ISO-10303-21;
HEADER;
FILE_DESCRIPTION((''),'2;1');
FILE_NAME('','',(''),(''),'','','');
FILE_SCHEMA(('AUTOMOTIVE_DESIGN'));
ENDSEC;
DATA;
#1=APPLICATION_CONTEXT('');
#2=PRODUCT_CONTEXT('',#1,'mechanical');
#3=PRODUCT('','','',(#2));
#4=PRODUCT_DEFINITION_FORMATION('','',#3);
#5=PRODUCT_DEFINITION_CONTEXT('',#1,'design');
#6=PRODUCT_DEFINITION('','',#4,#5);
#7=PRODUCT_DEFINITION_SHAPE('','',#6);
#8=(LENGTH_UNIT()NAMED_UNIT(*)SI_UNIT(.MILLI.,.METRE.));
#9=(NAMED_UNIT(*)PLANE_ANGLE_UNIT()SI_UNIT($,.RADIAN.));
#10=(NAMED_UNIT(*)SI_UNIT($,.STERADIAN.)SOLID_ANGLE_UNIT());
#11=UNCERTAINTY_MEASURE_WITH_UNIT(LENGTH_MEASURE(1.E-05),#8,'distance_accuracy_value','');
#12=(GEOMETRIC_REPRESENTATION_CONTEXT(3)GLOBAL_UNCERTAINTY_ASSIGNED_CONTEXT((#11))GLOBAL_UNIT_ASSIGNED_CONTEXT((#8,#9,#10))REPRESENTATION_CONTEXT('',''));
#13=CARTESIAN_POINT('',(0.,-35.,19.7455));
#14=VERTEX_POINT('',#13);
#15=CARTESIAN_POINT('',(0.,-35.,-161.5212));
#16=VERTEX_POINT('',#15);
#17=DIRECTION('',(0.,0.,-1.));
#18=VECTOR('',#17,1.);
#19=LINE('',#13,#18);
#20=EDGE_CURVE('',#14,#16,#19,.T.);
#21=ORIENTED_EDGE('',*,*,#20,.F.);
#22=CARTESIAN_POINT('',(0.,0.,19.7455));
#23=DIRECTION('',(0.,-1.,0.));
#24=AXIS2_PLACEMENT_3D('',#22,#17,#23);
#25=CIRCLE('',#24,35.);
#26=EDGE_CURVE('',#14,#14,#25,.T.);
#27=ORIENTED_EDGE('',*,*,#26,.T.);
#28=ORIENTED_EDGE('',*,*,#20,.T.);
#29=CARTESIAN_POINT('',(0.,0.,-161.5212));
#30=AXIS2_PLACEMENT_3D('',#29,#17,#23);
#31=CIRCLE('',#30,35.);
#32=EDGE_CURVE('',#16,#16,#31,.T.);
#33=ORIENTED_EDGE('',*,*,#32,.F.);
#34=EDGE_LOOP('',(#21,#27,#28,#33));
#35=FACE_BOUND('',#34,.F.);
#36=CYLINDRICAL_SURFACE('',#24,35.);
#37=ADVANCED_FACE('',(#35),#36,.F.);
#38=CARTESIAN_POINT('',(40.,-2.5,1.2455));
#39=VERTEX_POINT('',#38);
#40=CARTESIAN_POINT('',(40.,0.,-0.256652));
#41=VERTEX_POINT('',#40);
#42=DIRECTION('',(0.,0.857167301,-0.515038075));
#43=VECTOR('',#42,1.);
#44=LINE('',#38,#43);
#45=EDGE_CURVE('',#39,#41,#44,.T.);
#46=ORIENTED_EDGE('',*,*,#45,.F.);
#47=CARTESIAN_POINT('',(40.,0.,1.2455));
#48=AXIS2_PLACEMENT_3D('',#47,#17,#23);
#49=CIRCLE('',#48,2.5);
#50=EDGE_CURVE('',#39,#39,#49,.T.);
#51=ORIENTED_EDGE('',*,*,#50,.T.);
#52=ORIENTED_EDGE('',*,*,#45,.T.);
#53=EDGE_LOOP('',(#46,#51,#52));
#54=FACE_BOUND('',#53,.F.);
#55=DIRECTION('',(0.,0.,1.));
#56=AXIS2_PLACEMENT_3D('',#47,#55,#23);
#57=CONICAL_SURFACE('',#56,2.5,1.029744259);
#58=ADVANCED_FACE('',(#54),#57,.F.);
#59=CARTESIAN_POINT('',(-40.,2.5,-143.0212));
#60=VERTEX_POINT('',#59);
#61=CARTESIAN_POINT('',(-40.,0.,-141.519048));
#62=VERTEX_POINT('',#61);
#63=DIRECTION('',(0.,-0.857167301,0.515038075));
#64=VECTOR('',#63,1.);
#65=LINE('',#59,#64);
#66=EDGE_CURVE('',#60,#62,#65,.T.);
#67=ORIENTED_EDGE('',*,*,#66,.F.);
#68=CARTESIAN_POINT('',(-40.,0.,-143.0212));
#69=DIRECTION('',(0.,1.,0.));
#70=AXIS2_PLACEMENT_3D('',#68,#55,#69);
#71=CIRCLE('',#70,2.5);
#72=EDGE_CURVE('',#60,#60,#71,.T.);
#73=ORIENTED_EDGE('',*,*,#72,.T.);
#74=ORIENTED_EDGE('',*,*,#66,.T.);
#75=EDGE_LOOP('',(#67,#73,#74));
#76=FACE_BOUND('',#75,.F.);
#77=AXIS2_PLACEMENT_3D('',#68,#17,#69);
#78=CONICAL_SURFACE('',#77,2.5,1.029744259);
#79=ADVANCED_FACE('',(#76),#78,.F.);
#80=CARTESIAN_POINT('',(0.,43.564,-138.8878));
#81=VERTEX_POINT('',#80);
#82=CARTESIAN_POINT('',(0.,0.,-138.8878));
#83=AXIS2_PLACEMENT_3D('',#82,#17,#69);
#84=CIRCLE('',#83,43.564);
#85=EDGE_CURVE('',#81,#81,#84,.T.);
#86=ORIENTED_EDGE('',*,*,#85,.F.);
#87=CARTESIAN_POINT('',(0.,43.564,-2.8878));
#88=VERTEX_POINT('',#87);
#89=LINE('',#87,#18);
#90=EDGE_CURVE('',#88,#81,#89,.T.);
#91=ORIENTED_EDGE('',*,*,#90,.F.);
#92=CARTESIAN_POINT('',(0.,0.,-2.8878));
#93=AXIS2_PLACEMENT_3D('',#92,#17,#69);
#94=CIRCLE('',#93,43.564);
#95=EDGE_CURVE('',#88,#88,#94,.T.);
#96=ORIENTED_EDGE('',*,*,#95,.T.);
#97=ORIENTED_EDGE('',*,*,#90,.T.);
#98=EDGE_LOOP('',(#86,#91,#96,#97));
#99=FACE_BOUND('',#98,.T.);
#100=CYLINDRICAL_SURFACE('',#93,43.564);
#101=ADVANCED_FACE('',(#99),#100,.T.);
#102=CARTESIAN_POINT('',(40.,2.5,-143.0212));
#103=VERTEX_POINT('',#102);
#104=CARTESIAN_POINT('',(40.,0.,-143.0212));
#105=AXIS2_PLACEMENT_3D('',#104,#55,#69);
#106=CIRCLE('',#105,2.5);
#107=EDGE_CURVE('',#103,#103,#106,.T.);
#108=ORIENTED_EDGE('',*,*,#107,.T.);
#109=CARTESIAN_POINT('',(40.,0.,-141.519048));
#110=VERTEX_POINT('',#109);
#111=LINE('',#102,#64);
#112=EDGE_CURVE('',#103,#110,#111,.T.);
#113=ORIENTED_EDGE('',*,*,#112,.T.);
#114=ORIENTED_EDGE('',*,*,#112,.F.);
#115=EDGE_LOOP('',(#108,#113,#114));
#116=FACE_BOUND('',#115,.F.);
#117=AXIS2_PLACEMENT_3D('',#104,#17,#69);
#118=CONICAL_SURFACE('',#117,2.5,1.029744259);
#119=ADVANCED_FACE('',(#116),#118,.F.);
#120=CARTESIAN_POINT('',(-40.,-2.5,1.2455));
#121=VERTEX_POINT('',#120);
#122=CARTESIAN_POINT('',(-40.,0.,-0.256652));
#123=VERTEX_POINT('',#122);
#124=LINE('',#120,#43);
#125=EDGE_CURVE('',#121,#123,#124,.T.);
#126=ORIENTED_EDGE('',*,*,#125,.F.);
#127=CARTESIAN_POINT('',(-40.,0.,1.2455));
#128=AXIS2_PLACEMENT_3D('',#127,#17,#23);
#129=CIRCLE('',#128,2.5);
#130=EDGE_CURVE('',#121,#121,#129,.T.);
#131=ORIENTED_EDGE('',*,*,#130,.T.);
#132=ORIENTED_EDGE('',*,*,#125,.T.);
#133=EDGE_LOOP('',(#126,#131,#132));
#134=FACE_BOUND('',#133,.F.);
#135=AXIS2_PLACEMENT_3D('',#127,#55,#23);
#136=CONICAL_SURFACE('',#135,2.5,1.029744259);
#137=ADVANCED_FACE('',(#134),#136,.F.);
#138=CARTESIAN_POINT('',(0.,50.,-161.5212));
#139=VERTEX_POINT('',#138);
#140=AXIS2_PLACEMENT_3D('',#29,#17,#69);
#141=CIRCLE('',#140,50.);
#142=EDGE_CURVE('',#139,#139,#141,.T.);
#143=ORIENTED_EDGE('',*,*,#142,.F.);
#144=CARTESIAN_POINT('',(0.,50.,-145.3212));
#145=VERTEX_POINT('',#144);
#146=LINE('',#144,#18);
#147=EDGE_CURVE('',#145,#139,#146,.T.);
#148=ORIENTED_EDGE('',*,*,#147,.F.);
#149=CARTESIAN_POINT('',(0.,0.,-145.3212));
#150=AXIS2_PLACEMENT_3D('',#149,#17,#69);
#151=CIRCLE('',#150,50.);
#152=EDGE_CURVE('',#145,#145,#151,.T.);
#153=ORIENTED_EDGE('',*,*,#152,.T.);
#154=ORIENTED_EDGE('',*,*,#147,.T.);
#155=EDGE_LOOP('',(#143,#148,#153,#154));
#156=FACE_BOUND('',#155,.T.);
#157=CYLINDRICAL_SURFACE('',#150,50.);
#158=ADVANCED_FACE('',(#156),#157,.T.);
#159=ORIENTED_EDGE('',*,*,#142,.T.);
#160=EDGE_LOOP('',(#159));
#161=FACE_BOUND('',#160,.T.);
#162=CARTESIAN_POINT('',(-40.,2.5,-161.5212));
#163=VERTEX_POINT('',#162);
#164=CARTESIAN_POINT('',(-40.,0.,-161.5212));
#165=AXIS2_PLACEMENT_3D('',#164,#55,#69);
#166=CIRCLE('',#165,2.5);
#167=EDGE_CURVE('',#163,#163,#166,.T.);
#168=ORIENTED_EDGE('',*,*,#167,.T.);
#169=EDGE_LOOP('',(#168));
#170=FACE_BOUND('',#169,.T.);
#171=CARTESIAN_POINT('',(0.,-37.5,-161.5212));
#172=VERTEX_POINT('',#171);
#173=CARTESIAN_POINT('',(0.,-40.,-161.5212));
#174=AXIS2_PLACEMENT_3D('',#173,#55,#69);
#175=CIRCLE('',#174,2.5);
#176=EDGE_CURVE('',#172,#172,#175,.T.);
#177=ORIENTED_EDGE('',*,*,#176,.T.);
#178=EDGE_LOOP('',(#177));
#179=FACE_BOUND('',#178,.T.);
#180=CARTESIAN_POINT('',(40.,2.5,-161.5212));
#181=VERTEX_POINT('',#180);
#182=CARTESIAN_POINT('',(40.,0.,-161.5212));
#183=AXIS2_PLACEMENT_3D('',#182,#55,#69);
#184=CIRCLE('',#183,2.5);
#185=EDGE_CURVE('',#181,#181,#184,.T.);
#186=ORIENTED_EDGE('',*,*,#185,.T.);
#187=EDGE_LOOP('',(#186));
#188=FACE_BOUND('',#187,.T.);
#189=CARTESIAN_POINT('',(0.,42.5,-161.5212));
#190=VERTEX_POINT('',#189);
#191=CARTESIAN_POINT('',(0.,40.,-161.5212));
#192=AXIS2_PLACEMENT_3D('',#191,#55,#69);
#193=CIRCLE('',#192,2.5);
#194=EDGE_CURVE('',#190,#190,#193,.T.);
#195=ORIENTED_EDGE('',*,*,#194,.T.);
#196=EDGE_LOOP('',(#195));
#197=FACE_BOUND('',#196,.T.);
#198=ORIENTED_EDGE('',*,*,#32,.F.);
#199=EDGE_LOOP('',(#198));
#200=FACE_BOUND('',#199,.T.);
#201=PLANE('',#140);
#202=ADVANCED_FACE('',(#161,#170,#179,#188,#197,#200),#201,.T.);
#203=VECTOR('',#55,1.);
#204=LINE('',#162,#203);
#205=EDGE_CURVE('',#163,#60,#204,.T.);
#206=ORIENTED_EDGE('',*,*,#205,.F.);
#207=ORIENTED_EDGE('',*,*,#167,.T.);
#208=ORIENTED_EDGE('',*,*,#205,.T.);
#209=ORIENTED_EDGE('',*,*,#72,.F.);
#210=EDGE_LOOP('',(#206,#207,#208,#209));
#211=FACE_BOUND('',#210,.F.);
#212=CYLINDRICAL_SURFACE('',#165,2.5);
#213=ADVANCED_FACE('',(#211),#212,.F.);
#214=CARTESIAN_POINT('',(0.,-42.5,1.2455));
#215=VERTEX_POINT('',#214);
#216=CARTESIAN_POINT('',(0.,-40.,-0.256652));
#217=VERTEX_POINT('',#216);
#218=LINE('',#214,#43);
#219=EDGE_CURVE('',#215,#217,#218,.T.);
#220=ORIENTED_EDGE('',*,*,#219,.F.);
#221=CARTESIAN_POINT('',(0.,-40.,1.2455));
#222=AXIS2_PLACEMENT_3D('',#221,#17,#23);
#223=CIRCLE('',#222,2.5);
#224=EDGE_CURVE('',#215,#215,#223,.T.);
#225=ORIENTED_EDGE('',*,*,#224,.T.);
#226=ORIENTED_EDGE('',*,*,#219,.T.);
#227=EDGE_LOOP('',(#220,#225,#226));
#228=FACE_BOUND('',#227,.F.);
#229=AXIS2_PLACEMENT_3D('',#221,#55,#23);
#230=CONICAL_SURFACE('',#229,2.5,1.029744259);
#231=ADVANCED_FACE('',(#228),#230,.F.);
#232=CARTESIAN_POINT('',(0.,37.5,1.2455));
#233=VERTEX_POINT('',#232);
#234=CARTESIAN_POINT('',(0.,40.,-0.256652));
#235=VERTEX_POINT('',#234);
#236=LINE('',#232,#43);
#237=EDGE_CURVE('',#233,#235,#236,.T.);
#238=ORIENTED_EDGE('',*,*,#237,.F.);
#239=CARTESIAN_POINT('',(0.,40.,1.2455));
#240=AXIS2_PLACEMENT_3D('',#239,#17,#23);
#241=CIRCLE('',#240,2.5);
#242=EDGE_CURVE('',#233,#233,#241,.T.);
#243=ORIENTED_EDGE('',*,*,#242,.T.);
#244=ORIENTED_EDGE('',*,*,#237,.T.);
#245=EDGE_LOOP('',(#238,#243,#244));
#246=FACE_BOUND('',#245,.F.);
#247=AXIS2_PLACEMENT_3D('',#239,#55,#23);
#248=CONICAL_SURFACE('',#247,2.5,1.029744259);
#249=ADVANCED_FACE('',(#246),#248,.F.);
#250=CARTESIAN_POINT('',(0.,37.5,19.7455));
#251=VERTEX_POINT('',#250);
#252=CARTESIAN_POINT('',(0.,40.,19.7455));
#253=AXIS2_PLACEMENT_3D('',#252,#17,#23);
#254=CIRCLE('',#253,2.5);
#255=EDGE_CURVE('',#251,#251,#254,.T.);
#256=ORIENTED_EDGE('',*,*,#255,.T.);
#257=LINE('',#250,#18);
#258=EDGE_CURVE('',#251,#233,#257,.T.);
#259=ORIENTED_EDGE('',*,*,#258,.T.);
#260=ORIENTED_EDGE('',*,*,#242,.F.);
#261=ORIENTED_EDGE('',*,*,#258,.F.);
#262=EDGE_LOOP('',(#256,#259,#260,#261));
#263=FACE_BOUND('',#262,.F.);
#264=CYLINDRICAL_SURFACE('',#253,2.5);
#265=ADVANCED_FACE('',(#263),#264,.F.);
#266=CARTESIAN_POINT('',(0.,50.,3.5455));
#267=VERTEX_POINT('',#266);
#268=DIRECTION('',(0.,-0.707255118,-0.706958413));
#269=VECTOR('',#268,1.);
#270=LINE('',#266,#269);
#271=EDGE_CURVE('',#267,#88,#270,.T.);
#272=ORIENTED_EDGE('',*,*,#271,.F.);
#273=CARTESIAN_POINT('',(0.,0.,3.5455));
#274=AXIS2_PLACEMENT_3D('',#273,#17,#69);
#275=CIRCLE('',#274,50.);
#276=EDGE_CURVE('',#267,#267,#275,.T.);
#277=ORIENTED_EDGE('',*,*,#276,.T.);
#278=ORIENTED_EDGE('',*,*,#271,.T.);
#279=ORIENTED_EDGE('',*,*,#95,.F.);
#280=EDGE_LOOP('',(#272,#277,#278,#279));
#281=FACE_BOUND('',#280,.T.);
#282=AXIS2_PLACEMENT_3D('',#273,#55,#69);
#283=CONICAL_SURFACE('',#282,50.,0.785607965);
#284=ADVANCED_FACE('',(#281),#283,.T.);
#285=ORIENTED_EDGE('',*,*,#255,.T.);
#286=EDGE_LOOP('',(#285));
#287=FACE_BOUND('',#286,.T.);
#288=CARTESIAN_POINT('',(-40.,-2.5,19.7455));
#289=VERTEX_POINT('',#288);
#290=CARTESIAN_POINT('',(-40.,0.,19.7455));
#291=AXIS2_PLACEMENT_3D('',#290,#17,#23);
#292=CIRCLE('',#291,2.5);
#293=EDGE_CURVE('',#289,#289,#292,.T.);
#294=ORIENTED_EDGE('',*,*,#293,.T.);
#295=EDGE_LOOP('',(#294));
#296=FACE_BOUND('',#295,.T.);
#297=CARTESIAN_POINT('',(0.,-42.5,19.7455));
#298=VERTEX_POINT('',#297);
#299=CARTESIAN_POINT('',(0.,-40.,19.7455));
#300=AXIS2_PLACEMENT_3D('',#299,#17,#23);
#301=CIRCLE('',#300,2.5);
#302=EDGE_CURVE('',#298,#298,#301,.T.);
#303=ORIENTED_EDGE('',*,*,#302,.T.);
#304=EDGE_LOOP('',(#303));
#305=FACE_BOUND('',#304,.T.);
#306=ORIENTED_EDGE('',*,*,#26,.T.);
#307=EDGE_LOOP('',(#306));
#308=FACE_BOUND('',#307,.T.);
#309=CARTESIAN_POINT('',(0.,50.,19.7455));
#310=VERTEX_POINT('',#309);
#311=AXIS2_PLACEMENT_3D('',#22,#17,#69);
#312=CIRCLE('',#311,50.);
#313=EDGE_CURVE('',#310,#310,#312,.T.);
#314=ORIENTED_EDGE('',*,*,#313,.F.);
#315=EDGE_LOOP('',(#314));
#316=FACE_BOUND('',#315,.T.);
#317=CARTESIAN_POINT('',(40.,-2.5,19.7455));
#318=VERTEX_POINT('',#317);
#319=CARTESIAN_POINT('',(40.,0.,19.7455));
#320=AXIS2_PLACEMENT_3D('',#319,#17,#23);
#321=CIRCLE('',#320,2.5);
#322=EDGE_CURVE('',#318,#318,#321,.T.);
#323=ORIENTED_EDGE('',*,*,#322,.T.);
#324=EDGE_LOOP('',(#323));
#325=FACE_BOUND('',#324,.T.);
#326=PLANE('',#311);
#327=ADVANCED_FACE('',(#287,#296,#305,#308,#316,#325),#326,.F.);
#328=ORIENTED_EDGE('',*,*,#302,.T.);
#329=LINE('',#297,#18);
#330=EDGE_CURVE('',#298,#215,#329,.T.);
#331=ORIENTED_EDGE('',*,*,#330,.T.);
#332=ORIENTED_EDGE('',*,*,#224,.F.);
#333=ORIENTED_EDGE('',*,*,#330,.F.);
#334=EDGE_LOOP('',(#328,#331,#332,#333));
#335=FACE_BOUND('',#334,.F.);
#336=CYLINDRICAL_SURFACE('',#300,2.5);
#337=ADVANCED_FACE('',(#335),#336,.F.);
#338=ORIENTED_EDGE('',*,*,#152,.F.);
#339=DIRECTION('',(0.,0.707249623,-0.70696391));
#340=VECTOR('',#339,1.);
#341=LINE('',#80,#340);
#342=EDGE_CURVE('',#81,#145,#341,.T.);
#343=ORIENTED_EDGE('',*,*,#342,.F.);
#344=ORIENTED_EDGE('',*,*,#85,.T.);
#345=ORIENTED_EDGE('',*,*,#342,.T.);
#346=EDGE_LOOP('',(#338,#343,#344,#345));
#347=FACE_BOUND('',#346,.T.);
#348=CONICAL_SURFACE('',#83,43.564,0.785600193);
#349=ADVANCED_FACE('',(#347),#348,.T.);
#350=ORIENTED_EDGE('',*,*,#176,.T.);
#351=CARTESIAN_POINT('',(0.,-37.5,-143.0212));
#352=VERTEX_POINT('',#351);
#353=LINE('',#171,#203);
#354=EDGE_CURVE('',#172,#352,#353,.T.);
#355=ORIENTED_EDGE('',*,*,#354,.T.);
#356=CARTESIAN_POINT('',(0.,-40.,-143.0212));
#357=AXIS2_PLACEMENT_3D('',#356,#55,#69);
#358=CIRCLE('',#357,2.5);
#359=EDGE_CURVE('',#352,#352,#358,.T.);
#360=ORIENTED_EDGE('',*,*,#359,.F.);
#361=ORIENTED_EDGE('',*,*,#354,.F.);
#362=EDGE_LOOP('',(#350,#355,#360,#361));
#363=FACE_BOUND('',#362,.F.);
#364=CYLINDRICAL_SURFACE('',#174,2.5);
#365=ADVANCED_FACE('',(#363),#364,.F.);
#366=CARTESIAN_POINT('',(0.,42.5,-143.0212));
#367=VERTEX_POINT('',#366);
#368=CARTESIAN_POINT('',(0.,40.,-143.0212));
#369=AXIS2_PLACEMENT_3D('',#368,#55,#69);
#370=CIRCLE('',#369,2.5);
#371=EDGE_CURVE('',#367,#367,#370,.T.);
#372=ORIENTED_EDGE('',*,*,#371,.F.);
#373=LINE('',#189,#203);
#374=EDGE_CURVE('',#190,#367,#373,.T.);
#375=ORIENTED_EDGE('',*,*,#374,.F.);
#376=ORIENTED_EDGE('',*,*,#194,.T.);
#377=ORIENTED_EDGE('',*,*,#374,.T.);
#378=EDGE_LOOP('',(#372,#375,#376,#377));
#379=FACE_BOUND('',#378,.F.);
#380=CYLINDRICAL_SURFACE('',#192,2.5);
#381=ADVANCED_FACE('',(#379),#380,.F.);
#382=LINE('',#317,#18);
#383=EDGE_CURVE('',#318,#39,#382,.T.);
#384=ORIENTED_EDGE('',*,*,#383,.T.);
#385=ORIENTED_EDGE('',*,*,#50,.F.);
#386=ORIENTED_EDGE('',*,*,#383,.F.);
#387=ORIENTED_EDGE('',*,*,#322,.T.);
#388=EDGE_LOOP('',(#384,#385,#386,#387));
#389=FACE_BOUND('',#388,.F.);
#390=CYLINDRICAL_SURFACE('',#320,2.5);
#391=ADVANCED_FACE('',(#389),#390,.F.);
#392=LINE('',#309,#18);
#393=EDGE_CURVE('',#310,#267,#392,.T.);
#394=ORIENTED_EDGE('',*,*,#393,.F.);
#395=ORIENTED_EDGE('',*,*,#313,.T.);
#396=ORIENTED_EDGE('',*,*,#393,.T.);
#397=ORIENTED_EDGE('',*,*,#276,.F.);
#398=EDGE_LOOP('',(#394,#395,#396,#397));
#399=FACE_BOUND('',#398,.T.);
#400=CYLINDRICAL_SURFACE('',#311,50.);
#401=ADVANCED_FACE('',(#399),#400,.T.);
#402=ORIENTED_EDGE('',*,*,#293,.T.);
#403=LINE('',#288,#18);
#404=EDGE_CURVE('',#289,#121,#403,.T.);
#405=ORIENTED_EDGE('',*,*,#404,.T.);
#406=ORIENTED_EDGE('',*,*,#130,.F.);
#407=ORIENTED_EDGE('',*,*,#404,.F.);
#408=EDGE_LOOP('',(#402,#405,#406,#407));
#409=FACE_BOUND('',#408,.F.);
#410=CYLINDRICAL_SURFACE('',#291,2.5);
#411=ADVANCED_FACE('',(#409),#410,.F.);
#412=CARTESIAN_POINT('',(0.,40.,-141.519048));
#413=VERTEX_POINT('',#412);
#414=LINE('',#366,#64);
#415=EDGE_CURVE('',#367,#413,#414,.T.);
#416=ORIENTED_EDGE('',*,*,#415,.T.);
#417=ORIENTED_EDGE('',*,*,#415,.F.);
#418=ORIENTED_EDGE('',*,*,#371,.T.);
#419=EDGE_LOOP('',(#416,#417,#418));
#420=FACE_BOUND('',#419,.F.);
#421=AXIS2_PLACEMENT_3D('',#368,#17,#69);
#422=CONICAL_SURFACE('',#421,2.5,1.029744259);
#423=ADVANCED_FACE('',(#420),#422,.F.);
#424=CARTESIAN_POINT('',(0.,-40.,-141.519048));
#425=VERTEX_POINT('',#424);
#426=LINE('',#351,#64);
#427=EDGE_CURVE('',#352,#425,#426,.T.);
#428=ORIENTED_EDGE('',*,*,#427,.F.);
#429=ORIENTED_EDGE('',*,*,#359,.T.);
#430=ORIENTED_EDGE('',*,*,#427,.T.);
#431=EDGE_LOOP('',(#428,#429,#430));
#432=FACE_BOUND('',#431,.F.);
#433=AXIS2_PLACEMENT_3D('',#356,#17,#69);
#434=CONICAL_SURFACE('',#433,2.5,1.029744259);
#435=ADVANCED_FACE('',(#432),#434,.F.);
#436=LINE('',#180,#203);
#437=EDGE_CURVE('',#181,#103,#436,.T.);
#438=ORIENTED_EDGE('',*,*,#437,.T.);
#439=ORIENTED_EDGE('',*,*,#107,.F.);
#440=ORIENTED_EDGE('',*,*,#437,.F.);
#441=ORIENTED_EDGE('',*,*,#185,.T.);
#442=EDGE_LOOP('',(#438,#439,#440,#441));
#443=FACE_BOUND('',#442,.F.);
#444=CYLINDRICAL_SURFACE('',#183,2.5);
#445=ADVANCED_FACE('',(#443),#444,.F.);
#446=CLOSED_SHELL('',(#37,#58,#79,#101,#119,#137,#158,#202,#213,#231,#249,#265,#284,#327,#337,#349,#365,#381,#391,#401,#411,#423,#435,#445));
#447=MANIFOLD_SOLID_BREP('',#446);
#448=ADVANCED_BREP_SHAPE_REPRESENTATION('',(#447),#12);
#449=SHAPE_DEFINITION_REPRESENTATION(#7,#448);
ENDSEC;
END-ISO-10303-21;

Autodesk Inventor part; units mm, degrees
ref_plane "YZ Plane" through (0, 0, 0) normal (1, 0, 0) x (0, 1, 0)
ref_plane "XZ Plane" through (0, 0, 0) normal (0, 1, 0) x (-1, 0, 0)
ref_plane "XY Plane" through (0, 0, 0) normal (0, 0, 1) x (1, 0, 0)
sketch "Szkic1" plane through (0, 0, 0) normal (1, 0, 0) x (0, 1, 0)
  point P0 (0, 0)
sketch "Szkic2" plane through (0, 0, 0) normal (1, 0, 0) x (0, 1, 0)
  point P0 (0, 0)
sketch "Szkic3" plane through (0, 0, 0) normal (1, 0, 0) x (0, 1, 0)
  line L0 (0, 19.7455) -> (50, 19.7455)
  line L1 (50, 19.7455) -> (50, 3.5455)
  line L2 (50, 3.5455) -> (43.564, -2.8878)
  line L3 (43.564, -2.8878) -> (43.564, -138.8878)
  line L4 (43.564, -138.8878) -> (50, -145.3212)
  line L5 (50, -145.3212) -> (50, -161.5212)
  line L6 (50, -161.5212) -> (0, -161.5212)
  line L7 (0, 19.7455) -> (0, -161.5212)
  point P0 (0, 0)
  dimension "d0" = 50
  dimension "d1" = 16.2
  dimension "d2" = 9.1
  dimension "d3" = 136
  dimension "d4" = 9.1
  dimension "d5" = 16.2
revolve "Obrót1" add sketch "Szkic3" angle 360 about axis through (0, 0, 19.7455) along (0, 0, -1)
sketch "Szkic4" plane through (0, 0, -161.5212) normal (0, 0, -1) x (-1, 0, 0)
  line L0 (0, 0) -> (40, 0)
  line L1 (0, 0) -> (0, -40)
  line L2 (0, 0) -> (-40, 0)
  line L3 (0, 0) -> (0, 40)
  dimension "d7" = 40
  dimension "d8" = 40
  dimension "d9" = 40
  dimension "d10" = 40
hole "Otwór1" at (0, 40, -161.5212) at (-40, 0, -161.5212) at (0, -40, -161.5212) at (40, 0, -161.5212) direction (0, 0, 1) diameter 5 depth 18.5 tip angle 118
sketch "Szkic5" plane through (0, 0, 19.7455) normal (0, 0, 1) x (1, 0, 0)
  circle A0 centre (40, 0) radius 2.5 projected
  line L0 (0, 0) -> (40, 0)
  circle A1 centre (0, -40) radius 2.5 projected
  line L1 (0, 0) -> (0, -40)
  circle A2 centre (0, 0) radius 50 projected
  circle A3 centre (-40, 0) radius 2.5 projected
  line L2 (0, 0) -> (-40, 0)
  circle A4 centre (0, 40) radius 2.5 projected
  line L3 (0, 0) -> (0, 40)
hole "Otwór2" at (-40, 0, 19.7455) at (0, 40, 19.7455) at (40, 0, 19.7455) at (0, -40, 19.7455) direction (0, 0, -1) diameter 5 depth 18.5 tip angle 118
sketch "Szkic6" plane through (0, 0, 19.7455) normal (0, 0, 1) x (1, 0, 0)
  line L0 (0, 0) -> (0, 50)
  circle A0 centre (0, 0) radius 50 projected
hole "Otwór3" at (0, 0, 19.7455) direction (0, 0, -1) diameter 70 end through all
sketch "Szkic7" plane through (0, 0, 19.7455) normal (0, 0, 1) x (1, 0, 0)
  point P0 (0, 0)
properties part number "korpus"
